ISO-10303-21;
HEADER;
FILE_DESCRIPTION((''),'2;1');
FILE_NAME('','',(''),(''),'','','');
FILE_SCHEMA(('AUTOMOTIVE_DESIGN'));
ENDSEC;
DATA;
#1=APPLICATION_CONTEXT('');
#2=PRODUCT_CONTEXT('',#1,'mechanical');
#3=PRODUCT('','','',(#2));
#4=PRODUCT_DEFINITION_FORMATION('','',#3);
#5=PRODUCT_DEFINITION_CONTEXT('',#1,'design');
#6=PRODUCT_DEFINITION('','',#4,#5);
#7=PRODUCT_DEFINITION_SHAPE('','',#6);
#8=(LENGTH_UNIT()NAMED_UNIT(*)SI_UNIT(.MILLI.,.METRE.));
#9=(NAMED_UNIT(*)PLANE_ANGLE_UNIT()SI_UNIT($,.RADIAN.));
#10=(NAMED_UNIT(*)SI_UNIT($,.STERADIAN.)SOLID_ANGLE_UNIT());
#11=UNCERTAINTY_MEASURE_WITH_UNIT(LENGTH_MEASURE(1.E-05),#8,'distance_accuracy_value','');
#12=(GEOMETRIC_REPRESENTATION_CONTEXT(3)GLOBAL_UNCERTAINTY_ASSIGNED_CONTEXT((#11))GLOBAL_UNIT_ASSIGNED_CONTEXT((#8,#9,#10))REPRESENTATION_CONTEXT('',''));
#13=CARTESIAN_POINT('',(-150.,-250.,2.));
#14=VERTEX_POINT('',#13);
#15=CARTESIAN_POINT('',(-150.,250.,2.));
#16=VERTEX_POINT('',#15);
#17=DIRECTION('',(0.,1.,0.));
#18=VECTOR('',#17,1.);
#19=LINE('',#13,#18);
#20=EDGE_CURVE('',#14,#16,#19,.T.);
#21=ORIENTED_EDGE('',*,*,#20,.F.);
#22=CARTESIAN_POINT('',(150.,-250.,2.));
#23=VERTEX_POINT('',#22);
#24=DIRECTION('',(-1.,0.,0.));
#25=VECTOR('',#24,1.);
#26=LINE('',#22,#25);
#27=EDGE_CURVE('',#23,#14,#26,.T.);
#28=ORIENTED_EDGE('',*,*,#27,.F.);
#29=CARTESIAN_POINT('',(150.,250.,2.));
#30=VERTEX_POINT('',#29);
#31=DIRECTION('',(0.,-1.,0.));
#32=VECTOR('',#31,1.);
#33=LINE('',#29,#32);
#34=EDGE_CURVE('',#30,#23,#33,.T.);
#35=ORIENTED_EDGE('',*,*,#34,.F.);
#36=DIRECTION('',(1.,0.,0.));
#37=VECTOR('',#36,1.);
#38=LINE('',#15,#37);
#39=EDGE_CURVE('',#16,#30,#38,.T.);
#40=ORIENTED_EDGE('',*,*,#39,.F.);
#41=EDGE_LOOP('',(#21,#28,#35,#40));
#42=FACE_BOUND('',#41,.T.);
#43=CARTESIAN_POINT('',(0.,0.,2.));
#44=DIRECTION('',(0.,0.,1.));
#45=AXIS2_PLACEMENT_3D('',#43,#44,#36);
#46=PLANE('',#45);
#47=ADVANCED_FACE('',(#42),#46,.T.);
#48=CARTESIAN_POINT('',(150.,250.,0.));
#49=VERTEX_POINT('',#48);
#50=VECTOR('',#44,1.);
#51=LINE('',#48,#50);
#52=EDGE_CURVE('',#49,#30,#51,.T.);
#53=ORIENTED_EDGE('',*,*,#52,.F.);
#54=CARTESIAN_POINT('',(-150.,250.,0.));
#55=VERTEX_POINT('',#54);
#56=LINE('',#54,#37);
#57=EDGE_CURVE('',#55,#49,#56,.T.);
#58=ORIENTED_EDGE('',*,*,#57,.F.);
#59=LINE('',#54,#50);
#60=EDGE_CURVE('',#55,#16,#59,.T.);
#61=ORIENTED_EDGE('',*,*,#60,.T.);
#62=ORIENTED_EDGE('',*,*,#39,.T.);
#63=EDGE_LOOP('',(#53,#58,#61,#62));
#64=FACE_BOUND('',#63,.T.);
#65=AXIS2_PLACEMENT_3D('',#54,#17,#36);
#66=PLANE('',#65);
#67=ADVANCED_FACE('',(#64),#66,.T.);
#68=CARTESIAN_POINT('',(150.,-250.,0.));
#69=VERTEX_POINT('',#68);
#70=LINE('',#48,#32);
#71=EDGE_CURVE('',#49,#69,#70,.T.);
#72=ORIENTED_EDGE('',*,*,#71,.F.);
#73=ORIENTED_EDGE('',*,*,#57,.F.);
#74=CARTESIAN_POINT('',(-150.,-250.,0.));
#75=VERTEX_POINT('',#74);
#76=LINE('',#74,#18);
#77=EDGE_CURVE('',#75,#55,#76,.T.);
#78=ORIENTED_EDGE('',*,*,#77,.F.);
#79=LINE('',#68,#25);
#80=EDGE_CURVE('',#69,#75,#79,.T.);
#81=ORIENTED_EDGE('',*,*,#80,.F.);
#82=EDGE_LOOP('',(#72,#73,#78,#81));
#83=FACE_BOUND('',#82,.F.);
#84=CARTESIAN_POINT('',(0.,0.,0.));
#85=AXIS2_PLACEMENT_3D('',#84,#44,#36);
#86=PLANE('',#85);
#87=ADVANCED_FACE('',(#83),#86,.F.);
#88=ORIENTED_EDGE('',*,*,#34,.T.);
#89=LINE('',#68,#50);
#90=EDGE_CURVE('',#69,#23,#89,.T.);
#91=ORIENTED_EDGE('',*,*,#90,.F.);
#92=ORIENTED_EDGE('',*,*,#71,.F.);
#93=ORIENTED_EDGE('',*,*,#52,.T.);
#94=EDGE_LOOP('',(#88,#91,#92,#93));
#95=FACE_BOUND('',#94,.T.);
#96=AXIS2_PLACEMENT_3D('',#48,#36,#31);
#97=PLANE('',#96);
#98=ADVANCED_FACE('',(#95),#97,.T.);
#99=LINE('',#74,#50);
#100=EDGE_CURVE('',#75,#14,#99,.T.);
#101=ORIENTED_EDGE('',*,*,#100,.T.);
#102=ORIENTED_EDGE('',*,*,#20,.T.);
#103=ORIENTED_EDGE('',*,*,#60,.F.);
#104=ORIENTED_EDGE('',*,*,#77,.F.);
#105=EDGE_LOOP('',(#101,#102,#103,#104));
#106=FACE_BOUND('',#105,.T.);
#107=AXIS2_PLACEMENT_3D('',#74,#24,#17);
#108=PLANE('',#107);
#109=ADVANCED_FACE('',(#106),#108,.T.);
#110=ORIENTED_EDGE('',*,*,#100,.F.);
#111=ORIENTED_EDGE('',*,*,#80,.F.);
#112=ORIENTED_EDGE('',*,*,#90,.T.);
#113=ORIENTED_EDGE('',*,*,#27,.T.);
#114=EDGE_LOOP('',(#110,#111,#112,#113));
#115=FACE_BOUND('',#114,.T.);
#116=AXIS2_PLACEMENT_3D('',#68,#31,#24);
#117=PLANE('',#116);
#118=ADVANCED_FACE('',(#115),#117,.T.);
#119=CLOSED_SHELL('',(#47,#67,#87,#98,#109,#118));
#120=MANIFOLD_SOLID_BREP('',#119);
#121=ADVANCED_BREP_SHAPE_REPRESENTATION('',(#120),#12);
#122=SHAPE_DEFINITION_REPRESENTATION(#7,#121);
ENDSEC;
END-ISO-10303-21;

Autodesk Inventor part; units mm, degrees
ref_plane "YZ Plane" through (0, 0, 0) normal (1, 0, 0) x (0, 1, 0)
ref_plane "XZ Plane" through (0, 0, 0) normal (0, 1, 0) x (-1, 0, 0)
ref_plane "XY Plane" through (0, 0, 0) normal (0, 0, 1) x (1, 0, 0)
sketch "Sketch1" plane through (0, 0, 0) normal (0, 0, 1) x (1, 0, 0)
  line L0 (-150, 250) -> (150, 250)
  line L1 (150, 250) -> (150, -250)
  line L2 (150, -250) -> (-150, -250)
  line L3 (-150, -250) -> (-150, 250)
  line L4 (-150, 250) -> (150, -250) construction
  line L5 (150, 250) -> (-150, -250) construction
  point P0 (0, 0)
  dimension "d0" = 300
  dimension "d1" = 500
extrude "Extrusion1" add sketch "Sketch1" along normal blind 2
properties part number "grass"
